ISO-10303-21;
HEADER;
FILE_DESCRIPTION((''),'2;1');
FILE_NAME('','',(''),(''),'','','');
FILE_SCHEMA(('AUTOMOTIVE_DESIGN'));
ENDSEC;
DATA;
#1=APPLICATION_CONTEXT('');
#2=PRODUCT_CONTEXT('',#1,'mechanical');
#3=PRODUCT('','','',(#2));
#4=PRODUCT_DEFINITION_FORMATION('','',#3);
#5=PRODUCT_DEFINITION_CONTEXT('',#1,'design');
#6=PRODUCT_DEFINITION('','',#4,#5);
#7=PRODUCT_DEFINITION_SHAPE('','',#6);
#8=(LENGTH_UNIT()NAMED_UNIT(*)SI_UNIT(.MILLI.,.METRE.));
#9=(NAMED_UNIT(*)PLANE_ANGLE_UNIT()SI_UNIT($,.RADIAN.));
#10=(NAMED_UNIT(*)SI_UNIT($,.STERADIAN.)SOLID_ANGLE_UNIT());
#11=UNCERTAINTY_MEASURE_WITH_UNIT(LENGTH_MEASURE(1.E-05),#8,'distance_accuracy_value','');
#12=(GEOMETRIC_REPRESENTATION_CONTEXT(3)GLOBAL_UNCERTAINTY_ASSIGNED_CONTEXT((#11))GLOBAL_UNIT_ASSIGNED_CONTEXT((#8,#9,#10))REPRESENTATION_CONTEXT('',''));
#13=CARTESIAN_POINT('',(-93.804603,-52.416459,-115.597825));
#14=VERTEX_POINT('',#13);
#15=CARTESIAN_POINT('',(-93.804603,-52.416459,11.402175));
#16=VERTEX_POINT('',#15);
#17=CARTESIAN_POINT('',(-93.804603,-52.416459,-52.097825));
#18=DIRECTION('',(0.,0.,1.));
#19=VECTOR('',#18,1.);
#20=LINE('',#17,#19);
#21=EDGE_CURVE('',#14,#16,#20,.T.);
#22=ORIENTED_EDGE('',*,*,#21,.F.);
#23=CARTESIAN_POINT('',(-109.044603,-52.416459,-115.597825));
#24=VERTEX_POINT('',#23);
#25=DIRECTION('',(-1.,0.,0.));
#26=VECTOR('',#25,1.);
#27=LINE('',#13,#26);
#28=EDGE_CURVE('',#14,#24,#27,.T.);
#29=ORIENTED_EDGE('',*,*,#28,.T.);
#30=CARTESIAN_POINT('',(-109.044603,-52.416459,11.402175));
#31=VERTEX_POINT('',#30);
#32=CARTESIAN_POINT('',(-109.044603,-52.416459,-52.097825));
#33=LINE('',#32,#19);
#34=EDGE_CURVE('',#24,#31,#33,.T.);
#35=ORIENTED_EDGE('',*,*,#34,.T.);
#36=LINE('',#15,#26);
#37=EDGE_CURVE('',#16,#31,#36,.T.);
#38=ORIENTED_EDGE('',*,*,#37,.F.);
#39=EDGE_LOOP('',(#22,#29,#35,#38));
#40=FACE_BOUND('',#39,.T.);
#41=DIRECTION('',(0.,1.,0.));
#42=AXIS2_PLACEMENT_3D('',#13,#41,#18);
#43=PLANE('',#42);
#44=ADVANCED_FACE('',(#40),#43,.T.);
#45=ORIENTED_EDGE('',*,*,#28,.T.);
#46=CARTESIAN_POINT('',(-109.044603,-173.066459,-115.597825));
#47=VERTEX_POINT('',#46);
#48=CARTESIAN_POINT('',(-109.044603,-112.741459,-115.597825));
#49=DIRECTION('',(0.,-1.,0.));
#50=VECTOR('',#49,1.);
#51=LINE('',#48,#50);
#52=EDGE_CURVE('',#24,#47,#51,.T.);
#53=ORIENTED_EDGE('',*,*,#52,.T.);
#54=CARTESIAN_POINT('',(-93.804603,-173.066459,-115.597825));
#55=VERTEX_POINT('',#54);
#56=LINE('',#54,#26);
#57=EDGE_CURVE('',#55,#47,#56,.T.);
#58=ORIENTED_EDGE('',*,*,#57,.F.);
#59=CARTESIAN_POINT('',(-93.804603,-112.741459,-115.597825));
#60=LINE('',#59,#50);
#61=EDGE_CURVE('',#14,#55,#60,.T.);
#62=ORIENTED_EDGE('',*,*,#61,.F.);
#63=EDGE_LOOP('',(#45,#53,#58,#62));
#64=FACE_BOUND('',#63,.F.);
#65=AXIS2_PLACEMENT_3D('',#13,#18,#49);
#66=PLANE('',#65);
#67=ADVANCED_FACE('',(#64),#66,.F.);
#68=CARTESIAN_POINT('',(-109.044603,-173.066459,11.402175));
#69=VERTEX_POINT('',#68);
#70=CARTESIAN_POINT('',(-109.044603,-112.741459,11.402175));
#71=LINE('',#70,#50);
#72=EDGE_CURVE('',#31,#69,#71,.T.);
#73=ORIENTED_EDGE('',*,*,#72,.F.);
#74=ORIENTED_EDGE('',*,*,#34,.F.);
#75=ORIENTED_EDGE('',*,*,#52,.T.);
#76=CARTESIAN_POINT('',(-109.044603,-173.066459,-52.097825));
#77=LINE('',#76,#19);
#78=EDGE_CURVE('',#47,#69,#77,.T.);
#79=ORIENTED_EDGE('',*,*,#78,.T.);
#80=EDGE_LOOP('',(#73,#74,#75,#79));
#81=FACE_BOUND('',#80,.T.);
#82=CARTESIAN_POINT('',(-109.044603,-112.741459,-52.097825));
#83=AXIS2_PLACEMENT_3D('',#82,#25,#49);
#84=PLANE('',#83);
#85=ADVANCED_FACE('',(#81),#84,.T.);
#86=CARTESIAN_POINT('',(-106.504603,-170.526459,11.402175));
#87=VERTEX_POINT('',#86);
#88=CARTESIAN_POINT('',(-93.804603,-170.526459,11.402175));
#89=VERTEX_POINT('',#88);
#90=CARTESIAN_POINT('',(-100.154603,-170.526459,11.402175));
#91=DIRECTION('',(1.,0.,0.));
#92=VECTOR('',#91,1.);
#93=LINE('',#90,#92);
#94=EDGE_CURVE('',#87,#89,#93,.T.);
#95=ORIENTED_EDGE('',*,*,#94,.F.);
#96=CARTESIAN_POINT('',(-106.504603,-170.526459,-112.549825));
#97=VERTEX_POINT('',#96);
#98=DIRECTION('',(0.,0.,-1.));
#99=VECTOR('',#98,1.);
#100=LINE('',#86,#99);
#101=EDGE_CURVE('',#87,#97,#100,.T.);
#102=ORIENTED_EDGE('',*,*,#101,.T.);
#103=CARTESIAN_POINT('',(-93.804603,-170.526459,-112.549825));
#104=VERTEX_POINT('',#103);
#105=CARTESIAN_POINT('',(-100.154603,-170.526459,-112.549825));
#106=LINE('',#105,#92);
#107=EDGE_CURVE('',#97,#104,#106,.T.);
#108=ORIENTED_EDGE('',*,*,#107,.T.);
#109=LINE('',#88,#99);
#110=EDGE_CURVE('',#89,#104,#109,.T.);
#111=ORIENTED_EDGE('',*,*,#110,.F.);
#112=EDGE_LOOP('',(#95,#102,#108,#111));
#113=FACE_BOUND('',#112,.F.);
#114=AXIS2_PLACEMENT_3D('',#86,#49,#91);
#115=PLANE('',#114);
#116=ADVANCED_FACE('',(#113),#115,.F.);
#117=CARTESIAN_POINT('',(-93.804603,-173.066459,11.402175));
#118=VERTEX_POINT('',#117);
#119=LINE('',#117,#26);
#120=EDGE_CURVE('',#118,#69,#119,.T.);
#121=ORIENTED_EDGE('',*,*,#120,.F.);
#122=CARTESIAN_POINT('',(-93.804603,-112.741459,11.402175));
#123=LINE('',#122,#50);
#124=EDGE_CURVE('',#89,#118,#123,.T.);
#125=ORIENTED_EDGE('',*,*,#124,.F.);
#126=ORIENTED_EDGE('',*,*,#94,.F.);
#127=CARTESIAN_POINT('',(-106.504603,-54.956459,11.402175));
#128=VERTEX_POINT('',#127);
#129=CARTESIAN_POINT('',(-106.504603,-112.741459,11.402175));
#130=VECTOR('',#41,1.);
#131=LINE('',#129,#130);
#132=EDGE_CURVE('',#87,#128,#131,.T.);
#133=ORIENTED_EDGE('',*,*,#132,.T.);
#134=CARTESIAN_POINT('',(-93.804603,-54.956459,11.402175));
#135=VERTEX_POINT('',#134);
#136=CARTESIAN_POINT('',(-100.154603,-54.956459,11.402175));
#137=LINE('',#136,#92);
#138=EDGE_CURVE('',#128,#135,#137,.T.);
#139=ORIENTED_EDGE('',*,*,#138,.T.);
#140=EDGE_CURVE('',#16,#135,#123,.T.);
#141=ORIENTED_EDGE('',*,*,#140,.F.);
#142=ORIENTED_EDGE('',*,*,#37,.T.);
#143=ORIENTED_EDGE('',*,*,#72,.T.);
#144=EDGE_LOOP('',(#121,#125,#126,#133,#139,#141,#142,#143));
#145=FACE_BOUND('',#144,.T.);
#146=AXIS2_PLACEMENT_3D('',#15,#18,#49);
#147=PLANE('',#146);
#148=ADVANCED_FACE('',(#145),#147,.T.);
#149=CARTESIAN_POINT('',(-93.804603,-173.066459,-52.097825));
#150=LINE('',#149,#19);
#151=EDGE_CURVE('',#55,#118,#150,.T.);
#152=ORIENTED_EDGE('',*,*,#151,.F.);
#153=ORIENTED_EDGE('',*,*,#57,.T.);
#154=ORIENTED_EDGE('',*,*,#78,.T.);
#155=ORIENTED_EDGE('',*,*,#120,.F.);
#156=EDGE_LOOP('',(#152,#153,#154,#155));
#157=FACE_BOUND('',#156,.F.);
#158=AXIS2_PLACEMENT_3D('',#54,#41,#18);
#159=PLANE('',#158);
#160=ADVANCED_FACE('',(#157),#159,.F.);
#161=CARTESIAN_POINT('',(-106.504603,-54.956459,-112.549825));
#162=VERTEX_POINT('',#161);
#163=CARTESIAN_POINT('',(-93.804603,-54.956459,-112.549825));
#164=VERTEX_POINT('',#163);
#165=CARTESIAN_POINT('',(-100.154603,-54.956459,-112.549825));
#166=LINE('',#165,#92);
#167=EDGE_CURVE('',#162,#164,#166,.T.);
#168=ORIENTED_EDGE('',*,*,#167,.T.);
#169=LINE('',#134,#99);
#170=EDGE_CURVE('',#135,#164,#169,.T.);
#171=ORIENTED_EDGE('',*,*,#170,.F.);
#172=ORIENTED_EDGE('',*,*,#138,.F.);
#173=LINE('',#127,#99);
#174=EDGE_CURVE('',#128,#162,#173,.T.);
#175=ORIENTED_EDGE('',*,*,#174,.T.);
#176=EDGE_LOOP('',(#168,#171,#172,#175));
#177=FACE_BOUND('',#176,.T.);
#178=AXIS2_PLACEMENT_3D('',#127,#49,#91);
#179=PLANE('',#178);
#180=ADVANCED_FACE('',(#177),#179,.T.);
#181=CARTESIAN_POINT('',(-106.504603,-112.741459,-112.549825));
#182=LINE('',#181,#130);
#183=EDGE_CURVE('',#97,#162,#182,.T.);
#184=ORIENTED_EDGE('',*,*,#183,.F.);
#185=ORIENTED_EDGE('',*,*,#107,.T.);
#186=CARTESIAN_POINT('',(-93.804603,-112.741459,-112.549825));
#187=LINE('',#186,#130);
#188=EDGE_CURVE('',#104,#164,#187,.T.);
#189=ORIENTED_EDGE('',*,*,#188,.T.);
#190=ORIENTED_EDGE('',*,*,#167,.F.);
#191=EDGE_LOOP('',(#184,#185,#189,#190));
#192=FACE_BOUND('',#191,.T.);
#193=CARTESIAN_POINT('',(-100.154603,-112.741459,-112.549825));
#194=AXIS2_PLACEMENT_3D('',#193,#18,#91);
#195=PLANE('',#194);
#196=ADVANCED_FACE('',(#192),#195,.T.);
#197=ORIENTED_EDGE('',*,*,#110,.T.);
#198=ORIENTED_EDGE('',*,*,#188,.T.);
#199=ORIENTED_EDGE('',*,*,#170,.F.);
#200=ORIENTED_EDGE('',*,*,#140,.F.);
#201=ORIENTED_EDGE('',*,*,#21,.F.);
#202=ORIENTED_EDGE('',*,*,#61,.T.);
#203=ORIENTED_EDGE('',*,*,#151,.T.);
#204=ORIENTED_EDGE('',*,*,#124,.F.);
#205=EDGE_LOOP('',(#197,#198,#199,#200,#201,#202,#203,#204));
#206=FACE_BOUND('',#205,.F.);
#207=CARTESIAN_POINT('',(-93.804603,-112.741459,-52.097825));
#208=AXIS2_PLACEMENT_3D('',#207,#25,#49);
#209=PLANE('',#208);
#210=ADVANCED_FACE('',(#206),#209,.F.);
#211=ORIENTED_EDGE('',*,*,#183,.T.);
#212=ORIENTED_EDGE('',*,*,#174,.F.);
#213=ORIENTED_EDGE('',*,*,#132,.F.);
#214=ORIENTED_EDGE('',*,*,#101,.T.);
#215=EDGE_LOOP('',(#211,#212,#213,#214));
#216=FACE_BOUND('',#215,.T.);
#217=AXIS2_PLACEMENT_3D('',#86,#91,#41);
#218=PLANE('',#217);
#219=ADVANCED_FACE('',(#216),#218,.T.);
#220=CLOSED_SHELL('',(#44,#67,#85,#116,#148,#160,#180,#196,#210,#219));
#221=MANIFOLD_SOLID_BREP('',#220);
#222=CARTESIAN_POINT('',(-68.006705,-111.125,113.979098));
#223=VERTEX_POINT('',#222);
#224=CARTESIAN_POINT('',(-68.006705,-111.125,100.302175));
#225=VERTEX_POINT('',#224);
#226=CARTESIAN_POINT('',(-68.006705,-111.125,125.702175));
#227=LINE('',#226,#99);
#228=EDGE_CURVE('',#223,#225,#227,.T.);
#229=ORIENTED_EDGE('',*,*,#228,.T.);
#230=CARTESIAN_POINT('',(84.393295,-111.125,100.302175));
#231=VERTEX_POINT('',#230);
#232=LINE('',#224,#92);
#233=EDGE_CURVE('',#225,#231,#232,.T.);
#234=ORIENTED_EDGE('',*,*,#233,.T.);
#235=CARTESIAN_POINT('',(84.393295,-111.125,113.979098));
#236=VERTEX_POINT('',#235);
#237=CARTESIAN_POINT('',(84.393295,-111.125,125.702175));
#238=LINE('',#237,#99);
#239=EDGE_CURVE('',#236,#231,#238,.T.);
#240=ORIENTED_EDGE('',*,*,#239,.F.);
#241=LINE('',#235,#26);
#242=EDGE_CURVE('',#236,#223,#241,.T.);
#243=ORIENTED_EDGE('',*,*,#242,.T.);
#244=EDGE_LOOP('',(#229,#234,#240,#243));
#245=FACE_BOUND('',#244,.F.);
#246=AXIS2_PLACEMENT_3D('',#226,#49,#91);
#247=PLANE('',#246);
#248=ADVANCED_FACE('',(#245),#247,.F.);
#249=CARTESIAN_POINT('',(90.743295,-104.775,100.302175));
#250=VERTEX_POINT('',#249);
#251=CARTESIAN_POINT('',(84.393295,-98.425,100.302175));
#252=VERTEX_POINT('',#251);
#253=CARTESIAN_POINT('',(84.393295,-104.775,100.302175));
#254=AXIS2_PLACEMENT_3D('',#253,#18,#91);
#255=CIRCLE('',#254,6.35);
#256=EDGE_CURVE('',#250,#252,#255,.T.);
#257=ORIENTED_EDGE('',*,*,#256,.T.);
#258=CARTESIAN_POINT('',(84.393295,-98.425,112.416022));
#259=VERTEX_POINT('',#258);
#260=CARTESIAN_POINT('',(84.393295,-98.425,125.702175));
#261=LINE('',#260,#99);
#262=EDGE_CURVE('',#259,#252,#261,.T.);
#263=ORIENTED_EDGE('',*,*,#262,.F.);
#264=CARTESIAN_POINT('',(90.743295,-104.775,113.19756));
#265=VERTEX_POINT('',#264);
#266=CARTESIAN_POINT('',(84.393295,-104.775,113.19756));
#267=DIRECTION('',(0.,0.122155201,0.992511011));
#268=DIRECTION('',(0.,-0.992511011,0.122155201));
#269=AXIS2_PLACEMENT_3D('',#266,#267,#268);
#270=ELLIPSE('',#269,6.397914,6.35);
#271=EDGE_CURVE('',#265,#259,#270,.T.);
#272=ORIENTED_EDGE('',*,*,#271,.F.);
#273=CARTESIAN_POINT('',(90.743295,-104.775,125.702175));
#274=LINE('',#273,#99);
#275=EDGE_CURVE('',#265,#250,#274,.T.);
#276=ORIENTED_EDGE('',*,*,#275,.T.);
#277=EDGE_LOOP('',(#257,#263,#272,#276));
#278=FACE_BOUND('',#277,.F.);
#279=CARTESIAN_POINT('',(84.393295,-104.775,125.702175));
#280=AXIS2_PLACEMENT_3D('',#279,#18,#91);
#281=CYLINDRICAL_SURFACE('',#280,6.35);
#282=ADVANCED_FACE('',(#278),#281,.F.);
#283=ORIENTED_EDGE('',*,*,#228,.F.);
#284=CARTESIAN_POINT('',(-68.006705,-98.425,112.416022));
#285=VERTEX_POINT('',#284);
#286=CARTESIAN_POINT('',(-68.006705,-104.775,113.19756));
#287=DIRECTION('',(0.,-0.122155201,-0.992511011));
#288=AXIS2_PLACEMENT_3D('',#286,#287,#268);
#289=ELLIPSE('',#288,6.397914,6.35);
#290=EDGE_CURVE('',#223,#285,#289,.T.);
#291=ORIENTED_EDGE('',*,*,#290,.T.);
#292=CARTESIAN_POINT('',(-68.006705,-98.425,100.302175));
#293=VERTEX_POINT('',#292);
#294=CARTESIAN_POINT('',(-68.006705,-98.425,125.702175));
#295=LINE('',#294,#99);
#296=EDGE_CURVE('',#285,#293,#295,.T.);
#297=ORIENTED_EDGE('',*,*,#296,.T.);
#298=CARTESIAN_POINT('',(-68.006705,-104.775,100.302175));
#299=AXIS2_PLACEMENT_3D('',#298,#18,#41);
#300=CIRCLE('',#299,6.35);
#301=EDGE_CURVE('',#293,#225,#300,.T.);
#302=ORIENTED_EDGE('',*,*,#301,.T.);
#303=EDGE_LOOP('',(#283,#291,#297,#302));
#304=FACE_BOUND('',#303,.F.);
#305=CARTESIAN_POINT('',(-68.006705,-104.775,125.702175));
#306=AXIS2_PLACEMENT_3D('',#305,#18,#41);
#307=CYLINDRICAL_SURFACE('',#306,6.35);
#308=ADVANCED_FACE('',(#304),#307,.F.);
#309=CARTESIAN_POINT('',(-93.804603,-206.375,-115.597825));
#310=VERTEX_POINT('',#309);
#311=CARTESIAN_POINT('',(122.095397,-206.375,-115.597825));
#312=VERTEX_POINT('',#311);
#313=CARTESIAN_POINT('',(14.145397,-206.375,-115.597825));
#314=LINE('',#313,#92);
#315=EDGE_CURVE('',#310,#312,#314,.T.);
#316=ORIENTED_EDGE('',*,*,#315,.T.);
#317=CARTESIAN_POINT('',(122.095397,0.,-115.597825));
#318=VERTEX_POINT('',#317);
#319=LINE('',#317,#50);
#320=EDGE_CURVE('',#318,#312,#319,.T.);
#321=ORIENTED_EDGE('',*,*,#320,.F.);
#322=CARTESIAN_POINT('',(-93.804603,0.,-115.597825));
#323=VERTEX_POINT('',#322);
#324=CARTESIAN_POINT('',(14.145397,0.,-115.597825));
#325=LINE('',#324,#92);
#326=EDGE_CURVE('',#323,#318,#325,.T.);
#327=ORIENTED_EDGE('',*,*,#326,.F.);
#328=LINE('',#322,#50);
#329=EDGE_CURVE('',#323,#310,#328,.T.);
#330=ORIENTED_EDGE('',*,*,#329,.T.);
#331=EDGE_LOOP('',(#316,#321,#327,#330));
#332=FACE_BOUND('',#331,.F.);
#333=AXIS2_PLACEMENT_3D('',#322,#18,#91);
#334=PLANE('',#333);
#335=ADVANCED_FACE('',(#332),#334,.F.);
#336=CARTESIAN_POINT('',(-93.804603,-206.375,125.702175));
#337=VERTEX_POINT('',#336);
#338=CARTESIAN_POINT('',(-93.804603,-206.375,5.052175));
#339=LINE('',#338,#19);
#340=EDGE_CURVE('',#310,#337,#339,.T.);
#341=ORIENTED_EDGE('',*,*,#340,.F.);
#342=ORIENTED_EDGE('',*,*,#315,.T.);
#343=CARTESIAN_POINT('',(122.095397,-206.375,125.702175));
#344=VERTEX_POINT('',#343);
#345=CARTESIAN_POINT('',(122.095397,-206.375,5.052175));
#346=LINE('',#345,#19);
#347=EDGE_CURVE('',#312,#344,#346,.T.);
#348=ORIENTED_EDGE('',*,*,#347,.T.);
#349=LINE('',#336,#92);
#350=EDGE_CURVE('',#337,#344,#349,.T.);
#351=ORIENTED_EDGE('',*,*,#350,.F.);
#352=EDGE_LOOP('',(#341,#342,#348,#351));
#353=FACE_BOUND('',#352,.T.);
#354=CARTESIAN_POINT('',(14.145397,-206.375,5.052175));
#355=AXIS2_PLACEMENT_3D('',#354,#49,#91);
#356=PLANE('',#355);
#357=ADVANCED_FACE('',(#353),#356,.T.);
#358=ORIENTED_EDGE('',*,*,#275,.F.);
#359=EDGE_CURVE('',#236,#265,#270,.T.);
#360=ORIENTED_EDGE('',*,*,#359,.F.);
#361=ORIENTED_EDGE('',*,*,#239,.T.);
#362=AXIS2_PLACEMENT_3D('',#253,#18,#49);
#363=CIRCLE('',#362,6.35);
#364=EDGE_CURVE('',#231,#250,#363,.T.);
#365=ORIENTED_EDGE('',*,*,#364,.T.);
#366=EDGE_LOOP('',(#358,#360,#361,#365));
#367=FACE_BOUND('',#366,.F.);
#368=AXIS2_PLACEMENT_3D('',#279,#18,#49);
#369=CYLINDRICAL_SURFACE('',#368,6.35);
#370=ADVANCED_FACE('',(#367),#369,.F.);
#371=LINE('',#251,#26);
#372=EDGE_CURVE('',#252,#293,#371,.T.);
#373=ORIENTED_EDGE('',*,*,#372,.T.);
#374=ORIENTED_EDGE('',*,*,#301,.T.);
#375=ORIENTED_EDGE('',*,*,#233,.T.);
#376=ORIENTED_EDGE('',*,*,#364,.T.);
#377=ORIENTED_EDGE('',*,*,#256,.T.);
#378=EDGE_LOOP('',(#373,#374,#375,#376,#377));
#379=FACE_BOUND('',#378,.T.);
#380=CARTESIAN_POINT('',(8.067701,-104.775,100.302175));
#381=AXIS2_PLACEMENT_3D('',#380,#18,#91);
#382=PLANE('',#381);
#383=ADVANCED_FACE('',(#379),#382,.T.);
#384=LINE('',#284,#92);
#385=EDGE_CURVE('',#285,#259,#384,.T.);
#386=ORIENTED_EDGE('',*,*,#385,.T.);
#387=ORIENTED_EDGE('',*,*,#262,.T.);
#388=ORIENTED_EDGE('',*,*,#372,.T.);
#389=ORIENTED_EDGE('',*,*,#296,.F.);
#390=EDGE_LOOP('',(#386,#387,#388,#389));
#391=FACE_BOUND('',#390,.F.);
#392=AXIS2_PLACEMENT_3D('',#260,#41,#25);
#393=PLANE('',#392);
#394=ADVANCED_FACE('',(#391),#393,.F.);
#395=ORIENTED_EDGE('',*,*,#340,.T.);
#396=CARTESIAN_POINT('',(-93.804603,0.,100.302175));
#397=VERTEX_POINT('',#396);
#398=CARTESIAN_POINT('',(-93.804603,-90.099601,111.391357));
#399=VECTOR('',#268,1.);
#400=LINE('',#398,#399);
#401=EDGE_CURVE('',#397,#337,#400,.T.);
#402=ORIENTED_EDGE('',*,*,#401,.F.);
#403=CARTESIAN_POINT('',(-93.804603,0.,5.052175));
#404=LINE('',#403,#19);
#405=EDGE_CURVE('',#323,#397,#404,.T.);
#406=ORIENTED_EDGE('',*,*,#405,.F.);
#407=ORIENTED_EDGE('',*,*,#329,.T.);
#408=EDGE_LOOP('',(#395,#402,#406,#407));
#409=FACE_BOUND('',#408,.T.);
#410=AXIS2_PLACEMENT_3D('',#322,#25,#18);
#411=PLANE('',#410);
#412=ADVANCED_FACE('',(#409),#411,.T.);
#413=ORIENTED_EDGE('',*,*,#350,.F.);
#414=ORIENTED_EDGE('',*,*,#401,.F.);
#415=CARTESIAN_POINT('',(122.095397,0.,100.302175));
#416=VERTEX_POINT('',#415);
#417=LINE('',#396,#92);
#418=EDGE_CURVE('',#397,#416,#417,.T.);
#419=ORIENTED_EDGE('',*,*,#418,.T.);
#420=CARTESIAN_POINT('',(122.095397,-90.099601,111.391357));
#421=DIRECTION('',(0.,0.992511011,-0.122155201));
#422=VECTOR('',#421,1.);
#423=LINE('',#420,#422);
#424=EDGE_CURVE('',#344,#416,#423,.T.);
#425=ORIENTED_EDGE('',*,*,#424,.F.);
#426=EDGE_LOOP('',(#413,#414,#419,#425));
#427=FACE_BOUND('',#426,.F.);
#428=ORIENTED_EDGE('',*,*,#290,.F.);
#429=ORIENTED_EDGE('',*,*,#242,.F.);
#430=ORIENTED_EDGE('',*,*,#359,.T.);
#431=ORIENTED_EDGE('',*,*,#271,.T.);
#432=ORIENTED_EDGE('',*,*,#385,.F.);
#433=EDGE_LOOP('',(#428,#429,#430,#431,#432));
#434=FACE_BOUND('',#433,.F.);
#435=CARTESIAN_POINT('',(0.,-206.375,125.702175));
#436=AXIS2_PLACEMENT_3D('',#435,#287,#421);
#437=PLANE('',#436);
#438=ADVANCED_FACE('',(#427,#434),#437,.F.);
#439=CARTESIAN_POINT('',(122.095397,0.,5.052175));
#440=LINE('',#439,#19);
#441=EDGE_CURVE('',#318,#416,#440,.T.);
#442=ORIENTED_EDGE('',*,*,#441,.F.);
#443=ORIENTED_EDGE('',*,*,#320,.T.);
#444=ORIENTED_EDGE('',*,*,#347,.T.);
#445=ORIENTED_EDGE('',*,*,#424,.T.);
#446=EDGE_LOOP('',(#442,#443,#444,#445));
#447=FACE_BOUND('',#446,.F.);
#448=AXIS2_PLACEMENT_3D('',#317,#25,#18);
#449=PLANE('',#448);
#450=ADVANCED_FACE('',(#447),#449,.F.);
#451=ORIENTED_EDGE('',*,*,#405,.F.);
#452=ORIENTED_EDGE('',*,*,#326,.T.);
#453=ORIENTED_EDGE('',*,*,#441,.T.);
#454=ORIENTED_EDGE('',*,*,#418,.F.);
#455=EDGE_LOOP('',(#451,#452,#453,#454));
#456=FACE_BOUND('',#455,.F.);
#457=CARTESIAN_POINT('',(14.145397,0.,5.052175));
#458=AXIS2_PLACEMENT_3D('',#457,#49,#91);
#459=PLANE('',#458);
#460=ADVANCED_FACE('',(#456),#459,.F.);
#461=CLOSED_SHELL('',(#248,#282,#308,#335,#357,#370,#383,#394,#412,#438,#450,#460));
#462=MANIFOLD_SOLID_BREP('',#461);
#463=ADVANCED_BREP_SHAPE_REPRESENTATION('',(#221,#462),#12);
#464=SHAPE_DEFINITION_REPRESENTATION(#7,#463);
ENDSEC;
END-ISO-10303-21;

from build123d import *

# Parameters (mm, degrees)
F0_W          = 215.9
F0_H          = 241.3
F1_DEPTH      = 206.375
F4_DEPTH      = 25.4
F6_DEPTH      = 197.358
F6_DEPTH_BACK = 177.8
F8_W          = 120.65
F8_H          = 127
F9_DEPTH      = 15.24
F11_W         = 12.7
F11_H         = 115.57
F12_DEPTH     = 123.952


with BuildPart() as f1:
    # F0 (on Front) → F1 (new body)
    with BuildSketch(Plane.XZ):
        with Locations((14.1453973889, 5.0521753728)):
            Rectangle(F0_W, F0_H)
    extrude(amount=F1_DEPTH)

    # F3 (on offset) → F4 (cut)
    with BuildSketch(Plane.XY.offset(125.7021753728)):
        with BuildLine():
            Line((84.393295449, -98.425), (-68.006704551, -98.425))
            ThreePointArc((-68.006704551, -98.425), (-63.5165764904, -100.2848719395), (-61.656704551, -104.775))
            ThreePointArc((-61.656704551, -104.775), (-63.5165764904, -109.2651280605), (-68.006704551, -111.125))
            Line((-68.006704551, -111.125), (84.393295449, -111.125))
            ThreePointArc((84.393295449, -111.125), (78.043295449, -104.775), (84.393295449, -98.425))
        make_face()
        with BuildLine():
            Line((-68.006704551, -111.125), (-68.006704551, -98.425))
            ThreePointArc((-68.006704551, -98.425), (-74.356704551, -104.775), (-68.006704551, -111.125))
        make_face()
        with BuildLine():
            ThreePointArc((-61.656704551, -104.775), (-63.5165764904, -100.2848719395), (-68.006704551, -98.425))
            Line((-68.006704551, -98.425), (-68.006704551, -111.125))
            ThreePointArc((-68.006704551, -111.125), (-63.5165764904, -109.2651280605), (-61.656704551, -104.775))
        make_face()
        with BuildLine():
            ThreePointArc((90.743295449, -104.775), (88.8834235096, -100.2848719395), (84.393295449, -98.425))
            Line((84.393295449, -98.425), (84.393295449, -111.125))
            ThreePointArc((84.393295449, -111.125), (88.8834235096, -109.2651280605), (90.743295449, -104.775))
        make_face()
        with BuildLine():
            Line((84.393295449, -111.125), (84.393295449, -98.425))
            ThreePointArc((84.393295449, -98.425), (78.043295449, -104.775), (84.393295449, -111.125))
        make_face()
    extrude(amount=-F4_DEPTH, mode=Mode.SUBTRACT)

    # F5 (on Right) → F6 (cut, two sides)
    with BuildSketch(Plane.YZ) as f6_sk:
        Polygon((-206.375, 125.7021753728), (0, 100.3021753728), (13.3197874228, 98.0448980824), (13.3197874228, 125.7021753728), align=None)
    extrude(amount=-F6_DEPTH, mode=Mode.SUBTRACT)
    extrude(f6_sk.sketch, amount=F6_DEPTH_BACK, mode=Mode.SUBTRACT)


with BuildPart() as f9:
    # F8 (on offset) → F9 (new body)
    with BuildSketch(Plane(origin=(-93.8046026111, 0, 0), x_dir=(0, -1, 0), z_dir=(-1, 0, 0))):
        with Locations((112.741459161, -52.0978246272)):
            Rectangle(F8_W, F8_H)
    extrude(amount=F9_DEPTH)

    # F11 (on offset) → F12 (cut)
    with BuildSketch(Plane.XY.offset(11.4021753728)):
        with Locations((-100.1546026111, -112.741459161)):
            Rectangle(F11_W, F11_H)
    extrude(amount=-F12_DEPTH, mode=Mode.SUBTRACT)


solid = Compound([f1.part, f9.part])
